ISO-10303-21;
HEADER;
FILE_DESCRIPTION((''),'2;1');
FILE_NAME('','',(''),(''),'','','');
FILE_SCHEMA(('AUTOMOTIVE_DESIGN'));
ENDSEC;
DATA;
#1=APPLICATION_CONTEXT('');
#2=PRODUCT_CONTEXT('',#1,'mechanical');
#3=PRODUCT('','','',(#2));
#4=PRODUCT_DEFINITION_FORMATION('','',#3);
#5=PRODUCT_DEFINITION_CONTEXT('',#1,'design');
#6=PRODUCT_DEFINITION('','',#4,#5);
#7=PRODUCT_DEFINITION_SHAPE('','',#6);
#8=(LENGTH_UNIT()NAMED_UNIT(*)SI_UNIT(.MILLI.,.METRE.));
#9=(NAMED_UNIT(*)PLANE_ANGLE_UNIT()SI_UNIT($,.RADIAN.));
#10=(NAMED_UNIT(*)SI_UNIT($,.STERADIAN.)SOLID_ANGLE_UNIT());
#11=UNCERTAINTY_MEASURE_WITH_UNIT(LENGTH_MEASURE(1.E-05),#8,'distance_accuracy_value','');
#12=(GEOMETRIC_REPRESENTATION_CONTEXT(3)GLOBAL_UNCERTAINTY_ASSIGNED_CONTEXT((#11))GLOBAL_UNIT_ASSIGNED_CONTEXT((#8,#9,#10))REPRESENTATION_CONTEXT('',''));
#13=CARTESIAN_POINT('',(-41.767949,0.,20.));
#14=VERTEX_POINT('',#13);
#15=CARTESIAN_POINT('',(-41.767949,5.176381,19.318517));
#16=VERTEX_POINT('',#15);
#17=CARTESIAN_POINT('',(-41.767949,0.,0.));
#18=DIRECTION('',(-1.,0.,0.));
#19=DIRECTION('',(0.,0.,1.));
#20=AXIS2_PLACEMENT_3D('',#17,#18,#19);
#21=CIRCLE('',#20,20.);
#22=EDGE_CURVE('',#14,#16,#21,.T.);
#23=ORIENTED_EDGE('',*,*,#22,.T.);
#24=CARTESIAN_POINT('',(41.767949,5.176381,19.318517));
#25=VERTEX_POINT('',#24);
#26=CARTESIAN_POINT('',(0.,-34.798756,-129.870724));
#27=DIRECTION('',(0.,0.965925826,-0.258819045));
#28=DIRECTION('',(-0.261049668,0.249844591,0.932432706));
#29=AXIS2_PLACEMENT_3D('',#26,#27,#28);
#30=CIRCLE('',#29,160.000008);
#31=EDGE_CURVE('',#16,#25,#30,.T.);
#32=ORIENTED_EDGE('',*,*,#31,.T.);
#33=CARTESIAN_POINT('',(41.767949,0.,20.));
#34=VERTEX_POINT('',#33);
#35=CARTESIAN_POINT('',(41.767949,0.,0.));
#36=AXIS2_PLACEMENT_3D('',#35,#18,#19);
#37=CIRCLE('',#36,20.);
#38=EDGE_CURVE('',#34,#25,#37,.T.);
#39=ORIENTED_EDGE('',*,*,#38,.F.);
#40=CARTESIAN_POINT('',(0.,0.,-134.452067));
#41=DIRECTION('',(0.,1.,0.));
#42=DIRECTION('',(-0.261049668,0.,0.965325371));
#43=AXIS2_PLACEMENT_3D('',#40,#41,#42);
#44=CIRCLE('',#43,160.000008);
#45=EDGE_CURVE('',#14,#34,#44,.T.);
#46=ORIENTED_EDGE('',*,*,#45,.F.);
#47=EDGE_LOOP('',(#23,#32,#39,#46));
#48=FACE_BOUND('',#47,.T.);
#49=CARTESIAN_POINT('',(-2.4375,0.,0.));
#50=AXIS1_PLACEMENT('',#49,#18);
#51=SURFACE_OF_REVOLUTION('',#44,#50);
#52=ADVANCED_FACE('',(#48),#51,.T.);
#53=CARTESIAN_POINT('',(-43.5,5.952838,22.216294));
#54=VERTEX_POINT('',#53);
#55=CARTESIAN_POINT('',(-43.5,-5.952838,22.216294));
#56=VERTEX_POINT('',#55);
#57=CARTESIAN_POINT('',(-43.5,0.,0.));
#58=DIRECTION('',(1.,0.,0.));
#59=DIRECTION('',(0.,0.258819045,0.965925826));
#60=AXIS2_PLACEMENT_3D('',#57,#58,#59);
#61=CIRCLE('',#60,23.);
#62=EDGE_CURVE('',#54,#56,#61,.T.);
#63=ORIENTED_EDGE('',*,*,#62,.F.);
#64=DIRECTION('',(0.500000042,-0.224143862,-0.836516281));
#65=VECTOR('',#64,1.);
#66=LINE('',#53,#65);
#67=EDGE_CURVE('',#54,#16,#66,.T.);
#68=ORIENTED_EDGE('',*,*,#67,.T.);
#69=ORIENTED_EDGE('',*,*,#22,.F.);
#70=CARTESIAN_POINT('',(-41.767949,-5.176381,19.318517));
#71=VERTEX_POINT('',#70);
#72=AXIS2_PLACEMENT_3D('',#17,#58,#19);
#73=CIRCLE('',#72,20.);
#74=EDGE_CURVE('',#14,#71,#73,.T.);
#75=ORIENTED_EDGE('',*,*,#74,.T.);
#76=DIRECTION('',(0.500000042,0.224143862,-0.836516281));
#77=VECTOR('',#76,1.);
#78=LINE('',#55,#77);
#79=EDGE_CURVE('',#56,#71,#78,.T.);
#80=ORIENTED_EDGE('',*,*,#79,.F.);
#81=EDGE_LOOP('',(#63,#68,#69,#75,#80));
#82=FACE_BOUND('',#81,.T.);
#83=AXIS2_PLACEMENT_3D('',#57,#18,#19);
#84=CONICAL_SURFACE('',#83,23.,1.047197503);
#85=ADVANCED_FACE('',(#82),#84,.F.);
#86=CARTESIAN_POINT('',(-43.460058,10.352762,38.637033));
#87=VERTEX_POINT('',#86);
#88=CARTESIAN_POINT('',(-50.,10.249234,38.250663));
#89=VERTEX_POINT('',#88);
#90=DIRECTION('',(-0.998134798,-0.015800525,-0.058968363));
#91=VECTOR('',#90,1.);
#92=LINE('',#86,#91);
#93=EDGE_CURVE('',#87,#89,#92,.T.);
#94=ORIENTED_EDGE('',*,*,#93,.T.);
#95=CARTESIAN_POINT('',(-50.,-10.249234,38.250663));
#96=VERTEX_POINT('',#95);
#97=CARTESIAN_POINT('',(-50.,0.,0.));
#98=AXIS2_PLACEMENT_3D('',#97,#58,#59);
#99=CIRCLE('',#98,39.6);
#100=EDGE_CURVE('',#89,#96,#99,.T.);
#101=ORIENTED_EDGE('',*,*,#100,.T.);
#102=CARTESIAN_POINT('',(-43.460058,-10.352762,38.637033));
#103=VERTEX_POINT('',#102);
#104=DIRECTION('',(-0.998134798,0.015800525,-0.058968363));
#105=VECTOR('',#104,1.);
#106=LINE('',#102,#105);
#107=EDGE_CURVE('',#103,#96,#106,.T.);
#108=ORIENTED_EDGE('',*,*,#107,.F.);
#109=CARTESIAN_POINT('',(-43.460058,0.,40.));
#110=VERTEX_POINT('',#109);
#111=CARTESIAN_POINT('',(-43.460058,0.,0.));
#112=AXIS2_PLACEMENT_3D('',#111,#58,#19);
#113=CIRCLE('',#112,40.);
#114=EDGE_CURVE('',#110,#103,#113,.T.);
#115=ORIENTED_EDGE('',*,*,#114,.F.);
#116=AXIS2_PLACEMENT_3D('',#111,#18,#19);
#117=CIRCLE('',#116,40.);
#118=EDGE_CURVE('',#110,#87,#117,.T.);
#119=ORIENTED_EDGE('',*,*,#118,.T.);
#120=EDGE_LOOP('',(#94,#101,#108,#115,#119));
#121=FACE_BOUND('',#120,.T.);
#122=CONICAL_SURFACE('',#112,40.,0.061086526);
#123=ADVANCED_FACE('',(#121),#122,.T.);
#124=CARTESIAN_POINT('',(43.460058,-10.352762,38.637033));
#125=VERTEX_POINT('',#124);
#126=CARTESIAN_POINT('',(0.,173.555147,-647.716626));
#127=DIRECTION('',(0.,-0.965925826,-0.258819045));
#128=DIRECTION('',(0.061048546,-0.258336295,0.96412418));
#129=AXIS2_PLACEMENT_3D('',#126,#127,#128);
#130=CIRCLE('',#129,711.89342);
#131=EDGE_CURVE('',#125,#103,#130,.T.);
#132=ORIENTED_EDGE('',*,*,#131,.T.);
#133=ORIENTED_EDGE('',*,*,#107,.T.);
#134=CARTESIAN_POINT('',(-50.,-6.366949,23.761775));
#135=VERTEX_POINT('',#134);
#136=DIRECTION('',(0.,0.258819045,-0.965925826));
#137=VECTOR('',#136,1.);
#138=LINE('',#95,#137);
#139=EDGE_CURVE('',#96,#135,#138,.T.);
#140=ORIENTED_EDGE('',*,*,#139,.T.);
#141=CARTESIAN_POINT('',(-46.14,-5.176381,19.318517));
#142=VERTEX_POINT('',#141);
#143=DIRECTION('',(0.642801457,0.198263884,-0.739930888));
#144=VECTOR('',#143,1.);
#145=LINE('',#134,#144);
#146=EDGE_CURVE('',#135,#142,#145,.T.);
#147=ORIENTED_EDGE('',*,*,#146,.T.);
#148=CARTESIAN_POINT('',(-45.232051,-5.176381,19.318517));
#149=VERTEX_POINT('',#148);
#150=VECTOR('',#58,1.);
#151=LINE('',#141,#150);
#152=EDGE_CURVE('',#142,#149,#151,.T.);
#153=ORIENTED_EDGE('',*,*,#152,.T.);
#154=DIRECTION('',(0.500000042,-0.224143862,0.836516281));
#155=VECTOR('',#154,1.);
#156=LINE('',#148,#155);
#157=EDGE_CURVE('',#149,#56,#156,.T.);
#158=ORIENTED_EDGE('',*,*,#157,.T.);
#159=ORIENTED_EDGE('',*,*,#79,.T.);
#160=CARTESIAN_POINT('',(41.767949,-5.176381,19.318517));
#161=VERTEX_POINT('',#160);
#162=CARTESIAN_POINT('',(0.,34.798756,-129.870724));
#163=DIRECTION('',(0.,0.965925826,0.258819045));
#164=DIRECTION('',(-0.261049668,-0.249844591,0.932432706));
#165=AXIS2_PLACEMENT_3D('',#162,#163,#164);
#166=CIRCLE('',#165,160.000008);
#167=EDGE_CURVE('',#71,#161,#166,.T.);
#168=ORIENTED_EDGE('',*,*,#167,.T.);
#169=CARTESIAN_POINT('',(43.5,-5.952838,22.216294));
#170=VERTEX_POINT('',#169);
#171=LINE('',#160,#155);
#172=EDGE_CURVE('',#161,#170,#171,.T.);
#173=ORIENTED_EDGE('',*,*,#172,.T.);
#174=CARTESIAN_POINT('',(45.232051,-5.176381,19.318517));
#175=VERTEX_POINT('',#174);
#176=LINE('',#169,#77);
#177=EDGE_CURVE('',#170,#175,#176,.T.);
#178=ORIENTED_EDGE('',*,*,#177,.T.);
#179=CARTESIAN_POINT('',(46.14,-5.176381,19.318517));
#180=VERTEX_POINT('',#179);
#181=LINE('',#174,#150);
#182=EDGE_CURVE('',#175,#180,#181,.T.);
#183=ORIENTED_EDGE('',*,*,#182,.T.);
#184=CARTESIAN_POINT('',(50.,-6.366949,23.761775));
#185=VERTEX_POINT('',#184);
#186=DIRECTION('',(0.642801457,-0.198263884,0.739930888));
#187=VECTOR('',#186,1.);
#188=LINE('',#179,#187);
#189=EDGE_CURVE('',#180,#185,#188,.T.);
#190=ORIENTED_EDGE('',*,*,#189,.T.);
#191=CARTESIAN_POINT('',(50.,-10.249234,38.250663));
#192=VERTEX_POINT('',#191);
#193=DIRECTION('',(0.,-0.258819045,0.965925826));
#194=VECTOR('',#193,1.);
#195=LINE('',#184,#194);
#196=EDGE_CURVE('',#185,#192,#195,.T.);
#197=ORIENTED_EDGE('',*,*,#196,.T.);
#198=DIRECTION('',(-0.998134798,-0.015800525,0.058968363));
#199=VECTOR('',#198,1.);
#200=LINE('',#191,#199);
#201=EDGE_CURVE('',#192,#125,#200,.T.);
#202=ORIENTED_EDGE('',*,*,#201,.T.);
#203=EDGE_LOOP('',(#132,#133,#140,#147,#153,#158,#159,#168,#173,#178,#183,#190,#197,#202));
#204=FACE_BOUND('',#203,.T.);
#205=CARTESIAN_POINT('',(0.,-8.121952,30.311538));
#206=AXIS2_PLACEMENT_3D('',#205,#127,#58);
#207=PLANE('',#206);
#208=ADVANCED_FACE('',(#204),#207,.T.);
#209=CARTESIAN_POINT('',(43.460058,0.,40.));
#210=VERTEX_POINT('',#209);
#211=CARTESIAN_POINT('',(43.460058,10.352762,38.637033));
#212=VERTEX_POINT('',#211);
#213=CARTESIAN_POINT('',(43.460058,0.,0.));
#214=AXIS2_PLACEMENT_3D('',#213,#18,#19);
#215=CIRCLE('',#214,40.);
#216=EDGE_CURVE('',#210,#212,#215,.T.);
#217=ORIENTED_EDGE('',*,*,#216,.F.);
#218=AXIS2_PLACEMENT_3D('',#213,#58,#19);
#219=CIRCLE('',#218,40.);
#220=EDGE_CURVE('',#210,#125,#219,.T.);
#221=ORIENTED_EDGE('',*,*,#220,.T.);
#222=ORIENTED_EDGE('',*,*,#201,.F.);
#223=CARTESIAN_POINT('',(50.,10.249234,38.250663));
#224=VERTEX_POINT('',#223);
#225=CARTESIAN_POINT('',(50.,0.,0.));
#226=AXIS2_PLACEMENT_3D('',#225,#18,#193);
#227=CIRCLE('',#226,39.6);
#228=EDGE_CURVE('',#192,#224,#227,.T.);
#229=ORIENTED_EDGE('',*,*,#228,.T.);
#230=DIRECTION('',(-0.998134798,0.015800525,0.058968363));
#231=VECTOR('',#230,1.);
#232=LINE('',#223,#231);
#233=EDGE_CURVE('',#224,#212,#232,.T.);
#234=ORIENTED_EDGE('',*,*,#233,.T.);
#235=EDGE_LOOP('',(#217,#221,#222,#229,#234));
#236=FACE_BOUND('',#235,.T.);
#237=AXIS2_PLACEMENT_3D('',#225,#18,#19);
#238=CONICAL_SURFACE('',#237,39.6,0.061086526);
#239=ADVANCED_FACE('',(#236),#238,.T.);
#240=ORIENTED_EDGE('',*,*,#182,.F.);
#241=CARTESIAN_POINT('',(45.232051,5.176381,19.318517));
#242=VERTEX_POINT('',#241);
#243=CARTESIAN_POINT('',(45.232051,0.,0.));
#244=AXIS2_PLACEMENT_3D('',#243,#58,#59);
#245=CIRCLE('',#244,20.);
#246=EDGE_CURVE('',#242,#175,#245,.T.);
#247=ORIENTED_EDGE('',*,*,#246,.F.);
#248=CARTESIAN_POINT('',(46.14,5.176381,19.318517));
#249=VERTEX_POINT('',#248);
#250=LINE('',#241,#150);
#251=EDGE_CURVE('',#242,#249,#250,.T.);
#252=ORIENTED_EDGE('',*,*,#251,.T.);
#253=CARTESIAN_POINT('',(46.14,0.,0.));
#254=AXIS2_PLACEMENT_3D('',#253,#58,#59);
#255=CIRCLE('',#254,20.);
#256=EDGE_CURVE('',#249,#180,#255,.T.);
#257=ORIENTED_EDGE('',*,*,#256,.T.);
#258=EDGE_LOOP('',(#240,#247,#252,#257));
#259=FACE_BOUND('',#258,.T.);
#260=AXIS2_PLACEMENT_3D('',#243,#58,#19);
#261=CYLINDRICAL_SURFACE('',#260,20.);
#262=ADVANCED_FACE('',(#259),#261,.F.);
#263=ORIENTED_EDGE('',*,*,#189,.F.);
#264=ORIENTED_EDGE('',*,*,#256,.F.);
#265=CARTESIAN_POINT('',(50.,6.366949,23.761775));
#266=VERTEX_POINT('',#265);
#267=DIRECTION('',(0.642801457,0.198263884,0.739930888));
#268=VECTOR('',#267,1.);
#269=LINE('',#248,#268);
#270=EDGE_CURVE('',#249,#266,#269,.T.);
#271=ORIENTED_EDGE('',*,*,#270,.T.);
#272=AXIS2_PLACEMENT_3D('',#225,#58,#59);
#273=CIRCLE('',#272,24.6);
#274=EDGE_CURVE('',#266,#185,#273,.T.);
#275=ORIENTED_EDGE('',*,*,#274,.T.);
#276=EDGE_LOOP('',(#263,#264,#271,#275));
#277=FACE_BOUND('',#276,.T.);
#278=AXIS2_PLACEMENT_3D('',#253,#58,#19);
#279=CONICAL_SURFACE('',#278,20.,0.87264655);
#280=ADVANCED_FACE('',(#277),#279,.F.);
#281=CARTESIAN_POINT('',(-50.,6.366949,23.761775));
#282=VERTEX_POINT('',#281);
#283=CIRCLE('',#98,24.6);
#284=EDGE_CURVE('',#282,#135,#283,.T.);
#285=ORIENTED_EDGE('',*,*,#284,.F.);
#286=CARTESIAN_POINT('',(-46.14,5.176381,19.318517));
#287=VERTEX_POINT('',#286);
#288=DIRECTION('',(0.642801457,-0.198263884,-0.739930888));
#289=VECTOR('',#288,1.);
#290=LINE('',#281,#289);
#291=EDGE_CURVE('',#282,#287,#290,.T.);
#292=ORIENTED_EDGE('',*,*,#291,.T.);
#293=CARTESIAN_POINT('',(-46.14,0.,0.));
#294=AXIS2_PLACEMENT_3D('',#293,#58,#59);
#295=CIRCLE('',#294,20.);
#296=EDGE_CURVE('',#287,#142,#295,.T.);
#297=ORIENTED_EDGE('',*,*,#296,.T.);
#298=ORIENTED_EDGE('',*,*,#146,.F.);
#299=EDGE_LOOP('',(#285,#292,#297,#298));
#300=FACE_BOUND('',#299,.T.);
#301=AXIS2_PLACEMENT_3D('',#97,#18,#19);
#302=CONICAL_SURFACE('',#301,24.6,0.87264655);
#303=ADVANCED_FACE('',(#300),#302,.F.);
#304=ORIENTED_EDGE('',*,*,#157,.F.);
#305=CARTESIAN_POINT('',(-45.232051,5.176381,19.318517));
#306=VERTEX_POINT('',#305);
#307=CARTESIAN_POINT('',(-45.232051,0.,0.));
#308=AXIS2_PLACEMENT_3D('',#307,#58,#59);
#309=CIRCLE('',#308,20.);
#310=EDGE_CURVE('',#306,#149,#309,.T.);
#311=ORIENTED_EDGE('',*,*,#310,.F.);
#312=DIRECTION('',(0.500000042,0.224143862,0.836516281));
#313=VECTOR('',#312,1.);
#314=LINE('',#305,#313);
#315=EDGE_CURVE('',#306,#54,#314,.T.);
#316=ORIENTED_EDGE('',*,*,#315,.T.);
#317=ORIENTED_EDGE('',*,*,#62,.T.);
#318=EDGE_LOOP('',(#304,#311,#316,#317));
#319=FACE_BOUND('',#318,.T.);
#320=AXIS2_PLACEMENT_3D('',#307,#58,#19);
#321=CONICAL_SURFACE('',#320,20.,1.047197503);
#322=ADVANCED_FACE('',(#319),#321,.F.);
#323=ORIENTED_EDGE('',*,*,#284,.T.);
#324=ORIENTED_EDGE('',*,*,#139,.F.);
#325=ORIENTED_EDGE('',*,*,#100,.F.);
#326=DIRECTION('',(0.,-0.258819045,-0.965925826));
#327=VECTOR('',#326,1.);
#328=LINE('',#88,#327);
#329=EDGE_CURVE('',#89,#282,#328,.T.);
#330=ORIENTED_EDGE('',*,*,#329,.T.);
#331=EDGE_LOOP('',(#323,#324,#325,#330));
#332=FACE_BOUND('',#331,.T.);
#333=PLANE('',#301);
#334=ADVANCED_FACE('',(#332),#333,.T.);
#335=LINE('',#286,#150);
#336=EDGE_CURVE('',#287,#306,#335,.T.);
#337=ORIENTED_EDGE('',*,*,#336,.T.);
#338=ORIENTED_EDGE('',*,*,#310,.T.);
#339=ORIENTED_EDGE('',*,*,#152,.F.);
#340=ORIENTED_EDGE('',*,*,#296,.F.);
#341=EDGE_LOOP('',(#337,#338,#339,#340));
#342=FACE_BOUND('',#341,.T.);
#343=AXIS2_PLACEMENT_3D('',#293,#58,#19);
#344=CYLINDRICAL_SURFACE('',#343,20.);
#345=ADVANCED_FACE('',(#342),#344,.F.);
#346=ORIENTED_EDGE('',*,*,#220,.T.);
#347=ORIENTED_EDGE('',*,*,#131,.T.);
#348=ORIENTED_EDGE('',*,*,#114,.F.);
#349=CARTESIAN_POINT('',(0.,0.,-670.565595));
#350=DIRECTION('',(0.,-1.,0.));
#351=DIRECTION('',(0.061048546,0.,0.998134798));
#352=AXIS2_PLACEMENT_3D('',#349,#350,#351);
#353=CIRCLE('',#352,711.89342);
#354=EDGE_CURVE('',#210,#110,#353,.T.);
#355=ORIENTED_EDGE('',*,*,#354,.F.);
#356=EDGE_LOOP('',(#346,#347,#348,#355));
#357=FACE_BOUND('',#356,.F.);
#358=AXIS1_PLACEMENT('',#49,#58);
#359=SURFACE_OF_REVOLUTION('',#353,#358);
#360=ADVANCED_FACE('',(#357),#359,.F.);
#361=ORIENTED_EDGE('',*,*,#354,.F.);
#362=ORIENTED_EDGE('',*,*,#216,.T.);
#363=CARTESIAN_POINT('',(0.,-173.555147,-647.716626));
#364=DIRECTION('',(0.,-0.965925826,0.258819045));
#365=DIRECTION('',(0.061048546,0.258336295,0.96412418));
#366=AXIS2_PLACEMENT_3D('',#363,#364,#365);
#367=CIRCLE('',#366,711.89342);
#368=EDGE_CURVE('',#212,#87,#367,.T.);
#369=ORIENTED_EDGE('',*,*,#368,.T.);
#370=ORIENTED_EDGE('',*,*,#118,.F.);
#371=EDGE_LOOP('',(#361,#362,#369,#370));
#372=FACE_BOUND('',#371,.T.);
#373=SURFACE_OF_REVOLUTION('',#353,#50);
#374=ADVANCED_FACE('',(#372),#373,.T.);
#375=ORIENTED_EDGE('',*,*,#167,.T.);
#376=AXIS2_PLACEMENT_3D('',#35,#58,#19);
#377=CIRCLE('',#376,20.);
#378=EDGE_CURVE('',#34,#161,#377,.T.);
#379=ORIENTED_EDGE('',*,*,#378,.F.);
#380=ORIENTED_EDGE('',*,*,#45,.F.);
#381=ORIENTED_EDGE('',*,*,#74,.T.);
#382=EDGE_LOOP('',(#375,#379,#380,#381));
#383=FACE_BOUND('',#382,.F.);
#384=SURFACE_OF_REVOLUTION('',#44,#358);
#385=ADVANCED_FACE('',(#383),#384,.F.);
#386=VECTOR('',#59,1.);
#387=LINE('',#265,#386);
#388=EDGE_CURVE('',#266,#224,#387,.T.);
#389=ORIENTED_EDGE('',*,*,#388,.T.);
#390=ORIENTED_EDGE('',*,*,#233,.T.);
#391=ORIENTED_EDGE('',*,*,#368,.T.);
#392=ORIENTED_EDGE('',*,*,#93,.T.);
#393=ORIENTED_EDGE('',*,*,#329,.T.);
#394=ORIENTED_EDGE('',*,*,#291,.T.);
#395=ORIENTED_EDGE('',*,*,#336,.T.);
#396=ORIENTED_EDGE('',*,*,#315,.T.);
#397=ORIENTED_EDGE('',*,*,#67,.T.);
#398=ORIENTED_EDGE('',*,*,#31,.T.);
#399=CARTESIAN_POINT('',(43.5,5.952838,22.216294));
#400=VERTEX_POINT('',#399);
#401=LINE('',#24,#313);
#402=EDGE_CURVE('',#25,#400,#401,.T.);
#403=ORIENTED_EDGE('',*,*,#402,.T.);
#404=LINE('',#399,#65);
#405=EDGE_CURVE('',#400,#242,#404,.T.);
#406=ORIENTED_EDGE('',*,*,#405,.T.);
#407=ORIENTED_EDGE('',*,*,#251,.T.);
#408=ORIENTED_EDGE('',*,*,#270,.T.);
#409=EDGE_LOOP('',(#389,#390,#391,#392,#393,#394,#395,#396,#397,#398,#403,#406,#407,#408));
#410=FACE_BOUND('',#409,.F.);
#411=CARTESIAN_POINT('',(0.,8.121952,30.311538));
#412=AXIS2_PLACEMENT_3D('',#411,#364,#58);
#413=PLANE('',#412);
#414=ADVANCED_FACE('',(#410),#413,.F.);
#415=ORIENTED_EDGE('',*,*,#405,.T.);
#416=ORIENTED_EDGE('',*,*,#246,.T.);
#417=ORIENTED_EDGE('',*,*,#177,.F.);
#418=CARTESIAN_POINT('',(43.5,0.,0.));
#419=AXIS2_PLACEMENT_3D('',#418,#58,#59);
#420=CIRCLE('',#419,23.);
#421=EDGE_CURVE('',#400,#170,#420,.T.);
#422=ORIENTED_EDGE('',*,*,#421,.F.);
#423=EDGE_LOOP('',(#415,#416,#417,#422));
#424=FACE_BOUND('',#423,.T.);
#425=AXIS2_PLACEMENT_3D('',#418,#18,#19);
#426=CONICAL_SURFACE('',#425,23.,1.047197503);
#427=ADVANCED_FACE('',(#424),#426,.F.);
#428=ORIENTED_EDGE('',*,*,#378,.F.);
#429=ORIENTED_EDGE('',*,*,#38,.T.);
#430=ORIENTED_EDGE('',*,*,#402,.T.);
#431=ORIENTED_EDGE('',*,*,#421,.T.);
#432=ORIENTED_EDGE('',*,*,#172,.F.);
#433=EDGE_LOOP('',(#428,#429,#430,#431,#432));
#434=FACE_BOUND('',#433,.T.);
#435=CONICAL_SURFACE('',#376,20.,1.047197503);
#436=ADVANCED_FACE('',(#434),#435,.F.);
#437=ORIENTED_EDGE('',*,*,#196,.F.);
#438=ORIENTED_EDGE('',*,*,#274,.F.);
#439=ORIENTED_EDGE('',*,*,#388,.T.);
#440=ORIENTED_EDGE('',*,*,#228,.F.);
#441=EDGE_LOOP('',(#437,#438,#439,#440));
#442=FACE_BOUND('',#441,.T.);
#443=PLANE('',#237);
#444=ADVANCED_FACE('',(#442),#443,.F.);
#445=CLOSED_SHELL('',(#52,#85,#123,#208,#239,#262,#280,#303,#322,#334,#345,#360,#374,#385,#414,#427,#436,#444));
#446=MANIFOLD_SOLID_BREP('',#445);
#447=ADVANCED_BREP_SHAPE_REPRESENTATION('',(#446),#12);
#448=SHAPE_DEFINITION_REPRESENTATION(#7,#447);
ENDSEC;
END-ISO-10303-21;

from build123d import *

# Parameters (mm, degrees)
F1_ANGLE = 30


with BuildPart() as f1:
    # F0 (on Front) → F1 (revolve, symmetric)
    with BuildSketch(Plane.XZ) as f1_sk:
        with BuildLine():
            Line((-43.460058, 40), (-50, 39.6))
            Line((-50, 39.6), (-50, 24.6))
            Line((-50, 24.6), (-46.14, 20))
            Line((-46.14, 20), (-45.232051, 20))
            Line((-45.232051, 20), (-43.5, 23))
            Line((-43.5, 23), (-41.767949, 20))
            ThreePointArc((-41.767949, 20), (0, 25.547941), (41.767949, 20))
            Line((41.767949, 20), (43.5, 23))
            Line((43.5, 23), (45.232051, 20))
            Line((45.232051, 20), (46.14, 20))
            Line((46.14, 20), (50, 24.6))
            Line((50, 24.6), (50, 39.6))
            Line((50, 39.6), (43.460058, 40))
            ThreePointArc((43.460058, 40), (0, 41.327825), (-43.460058, 40))
        make_face()
    revolve(axis=Axis((-2.4375, 0, 0), (1, 0, 0)), revolution_arc=F1_ANGLE / 2)
    revolve(f1_sk.sketch, axis=Axis((-2.4375, 0, 0), (-1, 0, 0)), revolution_arc=F1_ANGLE / 2)


solid = f1.part
